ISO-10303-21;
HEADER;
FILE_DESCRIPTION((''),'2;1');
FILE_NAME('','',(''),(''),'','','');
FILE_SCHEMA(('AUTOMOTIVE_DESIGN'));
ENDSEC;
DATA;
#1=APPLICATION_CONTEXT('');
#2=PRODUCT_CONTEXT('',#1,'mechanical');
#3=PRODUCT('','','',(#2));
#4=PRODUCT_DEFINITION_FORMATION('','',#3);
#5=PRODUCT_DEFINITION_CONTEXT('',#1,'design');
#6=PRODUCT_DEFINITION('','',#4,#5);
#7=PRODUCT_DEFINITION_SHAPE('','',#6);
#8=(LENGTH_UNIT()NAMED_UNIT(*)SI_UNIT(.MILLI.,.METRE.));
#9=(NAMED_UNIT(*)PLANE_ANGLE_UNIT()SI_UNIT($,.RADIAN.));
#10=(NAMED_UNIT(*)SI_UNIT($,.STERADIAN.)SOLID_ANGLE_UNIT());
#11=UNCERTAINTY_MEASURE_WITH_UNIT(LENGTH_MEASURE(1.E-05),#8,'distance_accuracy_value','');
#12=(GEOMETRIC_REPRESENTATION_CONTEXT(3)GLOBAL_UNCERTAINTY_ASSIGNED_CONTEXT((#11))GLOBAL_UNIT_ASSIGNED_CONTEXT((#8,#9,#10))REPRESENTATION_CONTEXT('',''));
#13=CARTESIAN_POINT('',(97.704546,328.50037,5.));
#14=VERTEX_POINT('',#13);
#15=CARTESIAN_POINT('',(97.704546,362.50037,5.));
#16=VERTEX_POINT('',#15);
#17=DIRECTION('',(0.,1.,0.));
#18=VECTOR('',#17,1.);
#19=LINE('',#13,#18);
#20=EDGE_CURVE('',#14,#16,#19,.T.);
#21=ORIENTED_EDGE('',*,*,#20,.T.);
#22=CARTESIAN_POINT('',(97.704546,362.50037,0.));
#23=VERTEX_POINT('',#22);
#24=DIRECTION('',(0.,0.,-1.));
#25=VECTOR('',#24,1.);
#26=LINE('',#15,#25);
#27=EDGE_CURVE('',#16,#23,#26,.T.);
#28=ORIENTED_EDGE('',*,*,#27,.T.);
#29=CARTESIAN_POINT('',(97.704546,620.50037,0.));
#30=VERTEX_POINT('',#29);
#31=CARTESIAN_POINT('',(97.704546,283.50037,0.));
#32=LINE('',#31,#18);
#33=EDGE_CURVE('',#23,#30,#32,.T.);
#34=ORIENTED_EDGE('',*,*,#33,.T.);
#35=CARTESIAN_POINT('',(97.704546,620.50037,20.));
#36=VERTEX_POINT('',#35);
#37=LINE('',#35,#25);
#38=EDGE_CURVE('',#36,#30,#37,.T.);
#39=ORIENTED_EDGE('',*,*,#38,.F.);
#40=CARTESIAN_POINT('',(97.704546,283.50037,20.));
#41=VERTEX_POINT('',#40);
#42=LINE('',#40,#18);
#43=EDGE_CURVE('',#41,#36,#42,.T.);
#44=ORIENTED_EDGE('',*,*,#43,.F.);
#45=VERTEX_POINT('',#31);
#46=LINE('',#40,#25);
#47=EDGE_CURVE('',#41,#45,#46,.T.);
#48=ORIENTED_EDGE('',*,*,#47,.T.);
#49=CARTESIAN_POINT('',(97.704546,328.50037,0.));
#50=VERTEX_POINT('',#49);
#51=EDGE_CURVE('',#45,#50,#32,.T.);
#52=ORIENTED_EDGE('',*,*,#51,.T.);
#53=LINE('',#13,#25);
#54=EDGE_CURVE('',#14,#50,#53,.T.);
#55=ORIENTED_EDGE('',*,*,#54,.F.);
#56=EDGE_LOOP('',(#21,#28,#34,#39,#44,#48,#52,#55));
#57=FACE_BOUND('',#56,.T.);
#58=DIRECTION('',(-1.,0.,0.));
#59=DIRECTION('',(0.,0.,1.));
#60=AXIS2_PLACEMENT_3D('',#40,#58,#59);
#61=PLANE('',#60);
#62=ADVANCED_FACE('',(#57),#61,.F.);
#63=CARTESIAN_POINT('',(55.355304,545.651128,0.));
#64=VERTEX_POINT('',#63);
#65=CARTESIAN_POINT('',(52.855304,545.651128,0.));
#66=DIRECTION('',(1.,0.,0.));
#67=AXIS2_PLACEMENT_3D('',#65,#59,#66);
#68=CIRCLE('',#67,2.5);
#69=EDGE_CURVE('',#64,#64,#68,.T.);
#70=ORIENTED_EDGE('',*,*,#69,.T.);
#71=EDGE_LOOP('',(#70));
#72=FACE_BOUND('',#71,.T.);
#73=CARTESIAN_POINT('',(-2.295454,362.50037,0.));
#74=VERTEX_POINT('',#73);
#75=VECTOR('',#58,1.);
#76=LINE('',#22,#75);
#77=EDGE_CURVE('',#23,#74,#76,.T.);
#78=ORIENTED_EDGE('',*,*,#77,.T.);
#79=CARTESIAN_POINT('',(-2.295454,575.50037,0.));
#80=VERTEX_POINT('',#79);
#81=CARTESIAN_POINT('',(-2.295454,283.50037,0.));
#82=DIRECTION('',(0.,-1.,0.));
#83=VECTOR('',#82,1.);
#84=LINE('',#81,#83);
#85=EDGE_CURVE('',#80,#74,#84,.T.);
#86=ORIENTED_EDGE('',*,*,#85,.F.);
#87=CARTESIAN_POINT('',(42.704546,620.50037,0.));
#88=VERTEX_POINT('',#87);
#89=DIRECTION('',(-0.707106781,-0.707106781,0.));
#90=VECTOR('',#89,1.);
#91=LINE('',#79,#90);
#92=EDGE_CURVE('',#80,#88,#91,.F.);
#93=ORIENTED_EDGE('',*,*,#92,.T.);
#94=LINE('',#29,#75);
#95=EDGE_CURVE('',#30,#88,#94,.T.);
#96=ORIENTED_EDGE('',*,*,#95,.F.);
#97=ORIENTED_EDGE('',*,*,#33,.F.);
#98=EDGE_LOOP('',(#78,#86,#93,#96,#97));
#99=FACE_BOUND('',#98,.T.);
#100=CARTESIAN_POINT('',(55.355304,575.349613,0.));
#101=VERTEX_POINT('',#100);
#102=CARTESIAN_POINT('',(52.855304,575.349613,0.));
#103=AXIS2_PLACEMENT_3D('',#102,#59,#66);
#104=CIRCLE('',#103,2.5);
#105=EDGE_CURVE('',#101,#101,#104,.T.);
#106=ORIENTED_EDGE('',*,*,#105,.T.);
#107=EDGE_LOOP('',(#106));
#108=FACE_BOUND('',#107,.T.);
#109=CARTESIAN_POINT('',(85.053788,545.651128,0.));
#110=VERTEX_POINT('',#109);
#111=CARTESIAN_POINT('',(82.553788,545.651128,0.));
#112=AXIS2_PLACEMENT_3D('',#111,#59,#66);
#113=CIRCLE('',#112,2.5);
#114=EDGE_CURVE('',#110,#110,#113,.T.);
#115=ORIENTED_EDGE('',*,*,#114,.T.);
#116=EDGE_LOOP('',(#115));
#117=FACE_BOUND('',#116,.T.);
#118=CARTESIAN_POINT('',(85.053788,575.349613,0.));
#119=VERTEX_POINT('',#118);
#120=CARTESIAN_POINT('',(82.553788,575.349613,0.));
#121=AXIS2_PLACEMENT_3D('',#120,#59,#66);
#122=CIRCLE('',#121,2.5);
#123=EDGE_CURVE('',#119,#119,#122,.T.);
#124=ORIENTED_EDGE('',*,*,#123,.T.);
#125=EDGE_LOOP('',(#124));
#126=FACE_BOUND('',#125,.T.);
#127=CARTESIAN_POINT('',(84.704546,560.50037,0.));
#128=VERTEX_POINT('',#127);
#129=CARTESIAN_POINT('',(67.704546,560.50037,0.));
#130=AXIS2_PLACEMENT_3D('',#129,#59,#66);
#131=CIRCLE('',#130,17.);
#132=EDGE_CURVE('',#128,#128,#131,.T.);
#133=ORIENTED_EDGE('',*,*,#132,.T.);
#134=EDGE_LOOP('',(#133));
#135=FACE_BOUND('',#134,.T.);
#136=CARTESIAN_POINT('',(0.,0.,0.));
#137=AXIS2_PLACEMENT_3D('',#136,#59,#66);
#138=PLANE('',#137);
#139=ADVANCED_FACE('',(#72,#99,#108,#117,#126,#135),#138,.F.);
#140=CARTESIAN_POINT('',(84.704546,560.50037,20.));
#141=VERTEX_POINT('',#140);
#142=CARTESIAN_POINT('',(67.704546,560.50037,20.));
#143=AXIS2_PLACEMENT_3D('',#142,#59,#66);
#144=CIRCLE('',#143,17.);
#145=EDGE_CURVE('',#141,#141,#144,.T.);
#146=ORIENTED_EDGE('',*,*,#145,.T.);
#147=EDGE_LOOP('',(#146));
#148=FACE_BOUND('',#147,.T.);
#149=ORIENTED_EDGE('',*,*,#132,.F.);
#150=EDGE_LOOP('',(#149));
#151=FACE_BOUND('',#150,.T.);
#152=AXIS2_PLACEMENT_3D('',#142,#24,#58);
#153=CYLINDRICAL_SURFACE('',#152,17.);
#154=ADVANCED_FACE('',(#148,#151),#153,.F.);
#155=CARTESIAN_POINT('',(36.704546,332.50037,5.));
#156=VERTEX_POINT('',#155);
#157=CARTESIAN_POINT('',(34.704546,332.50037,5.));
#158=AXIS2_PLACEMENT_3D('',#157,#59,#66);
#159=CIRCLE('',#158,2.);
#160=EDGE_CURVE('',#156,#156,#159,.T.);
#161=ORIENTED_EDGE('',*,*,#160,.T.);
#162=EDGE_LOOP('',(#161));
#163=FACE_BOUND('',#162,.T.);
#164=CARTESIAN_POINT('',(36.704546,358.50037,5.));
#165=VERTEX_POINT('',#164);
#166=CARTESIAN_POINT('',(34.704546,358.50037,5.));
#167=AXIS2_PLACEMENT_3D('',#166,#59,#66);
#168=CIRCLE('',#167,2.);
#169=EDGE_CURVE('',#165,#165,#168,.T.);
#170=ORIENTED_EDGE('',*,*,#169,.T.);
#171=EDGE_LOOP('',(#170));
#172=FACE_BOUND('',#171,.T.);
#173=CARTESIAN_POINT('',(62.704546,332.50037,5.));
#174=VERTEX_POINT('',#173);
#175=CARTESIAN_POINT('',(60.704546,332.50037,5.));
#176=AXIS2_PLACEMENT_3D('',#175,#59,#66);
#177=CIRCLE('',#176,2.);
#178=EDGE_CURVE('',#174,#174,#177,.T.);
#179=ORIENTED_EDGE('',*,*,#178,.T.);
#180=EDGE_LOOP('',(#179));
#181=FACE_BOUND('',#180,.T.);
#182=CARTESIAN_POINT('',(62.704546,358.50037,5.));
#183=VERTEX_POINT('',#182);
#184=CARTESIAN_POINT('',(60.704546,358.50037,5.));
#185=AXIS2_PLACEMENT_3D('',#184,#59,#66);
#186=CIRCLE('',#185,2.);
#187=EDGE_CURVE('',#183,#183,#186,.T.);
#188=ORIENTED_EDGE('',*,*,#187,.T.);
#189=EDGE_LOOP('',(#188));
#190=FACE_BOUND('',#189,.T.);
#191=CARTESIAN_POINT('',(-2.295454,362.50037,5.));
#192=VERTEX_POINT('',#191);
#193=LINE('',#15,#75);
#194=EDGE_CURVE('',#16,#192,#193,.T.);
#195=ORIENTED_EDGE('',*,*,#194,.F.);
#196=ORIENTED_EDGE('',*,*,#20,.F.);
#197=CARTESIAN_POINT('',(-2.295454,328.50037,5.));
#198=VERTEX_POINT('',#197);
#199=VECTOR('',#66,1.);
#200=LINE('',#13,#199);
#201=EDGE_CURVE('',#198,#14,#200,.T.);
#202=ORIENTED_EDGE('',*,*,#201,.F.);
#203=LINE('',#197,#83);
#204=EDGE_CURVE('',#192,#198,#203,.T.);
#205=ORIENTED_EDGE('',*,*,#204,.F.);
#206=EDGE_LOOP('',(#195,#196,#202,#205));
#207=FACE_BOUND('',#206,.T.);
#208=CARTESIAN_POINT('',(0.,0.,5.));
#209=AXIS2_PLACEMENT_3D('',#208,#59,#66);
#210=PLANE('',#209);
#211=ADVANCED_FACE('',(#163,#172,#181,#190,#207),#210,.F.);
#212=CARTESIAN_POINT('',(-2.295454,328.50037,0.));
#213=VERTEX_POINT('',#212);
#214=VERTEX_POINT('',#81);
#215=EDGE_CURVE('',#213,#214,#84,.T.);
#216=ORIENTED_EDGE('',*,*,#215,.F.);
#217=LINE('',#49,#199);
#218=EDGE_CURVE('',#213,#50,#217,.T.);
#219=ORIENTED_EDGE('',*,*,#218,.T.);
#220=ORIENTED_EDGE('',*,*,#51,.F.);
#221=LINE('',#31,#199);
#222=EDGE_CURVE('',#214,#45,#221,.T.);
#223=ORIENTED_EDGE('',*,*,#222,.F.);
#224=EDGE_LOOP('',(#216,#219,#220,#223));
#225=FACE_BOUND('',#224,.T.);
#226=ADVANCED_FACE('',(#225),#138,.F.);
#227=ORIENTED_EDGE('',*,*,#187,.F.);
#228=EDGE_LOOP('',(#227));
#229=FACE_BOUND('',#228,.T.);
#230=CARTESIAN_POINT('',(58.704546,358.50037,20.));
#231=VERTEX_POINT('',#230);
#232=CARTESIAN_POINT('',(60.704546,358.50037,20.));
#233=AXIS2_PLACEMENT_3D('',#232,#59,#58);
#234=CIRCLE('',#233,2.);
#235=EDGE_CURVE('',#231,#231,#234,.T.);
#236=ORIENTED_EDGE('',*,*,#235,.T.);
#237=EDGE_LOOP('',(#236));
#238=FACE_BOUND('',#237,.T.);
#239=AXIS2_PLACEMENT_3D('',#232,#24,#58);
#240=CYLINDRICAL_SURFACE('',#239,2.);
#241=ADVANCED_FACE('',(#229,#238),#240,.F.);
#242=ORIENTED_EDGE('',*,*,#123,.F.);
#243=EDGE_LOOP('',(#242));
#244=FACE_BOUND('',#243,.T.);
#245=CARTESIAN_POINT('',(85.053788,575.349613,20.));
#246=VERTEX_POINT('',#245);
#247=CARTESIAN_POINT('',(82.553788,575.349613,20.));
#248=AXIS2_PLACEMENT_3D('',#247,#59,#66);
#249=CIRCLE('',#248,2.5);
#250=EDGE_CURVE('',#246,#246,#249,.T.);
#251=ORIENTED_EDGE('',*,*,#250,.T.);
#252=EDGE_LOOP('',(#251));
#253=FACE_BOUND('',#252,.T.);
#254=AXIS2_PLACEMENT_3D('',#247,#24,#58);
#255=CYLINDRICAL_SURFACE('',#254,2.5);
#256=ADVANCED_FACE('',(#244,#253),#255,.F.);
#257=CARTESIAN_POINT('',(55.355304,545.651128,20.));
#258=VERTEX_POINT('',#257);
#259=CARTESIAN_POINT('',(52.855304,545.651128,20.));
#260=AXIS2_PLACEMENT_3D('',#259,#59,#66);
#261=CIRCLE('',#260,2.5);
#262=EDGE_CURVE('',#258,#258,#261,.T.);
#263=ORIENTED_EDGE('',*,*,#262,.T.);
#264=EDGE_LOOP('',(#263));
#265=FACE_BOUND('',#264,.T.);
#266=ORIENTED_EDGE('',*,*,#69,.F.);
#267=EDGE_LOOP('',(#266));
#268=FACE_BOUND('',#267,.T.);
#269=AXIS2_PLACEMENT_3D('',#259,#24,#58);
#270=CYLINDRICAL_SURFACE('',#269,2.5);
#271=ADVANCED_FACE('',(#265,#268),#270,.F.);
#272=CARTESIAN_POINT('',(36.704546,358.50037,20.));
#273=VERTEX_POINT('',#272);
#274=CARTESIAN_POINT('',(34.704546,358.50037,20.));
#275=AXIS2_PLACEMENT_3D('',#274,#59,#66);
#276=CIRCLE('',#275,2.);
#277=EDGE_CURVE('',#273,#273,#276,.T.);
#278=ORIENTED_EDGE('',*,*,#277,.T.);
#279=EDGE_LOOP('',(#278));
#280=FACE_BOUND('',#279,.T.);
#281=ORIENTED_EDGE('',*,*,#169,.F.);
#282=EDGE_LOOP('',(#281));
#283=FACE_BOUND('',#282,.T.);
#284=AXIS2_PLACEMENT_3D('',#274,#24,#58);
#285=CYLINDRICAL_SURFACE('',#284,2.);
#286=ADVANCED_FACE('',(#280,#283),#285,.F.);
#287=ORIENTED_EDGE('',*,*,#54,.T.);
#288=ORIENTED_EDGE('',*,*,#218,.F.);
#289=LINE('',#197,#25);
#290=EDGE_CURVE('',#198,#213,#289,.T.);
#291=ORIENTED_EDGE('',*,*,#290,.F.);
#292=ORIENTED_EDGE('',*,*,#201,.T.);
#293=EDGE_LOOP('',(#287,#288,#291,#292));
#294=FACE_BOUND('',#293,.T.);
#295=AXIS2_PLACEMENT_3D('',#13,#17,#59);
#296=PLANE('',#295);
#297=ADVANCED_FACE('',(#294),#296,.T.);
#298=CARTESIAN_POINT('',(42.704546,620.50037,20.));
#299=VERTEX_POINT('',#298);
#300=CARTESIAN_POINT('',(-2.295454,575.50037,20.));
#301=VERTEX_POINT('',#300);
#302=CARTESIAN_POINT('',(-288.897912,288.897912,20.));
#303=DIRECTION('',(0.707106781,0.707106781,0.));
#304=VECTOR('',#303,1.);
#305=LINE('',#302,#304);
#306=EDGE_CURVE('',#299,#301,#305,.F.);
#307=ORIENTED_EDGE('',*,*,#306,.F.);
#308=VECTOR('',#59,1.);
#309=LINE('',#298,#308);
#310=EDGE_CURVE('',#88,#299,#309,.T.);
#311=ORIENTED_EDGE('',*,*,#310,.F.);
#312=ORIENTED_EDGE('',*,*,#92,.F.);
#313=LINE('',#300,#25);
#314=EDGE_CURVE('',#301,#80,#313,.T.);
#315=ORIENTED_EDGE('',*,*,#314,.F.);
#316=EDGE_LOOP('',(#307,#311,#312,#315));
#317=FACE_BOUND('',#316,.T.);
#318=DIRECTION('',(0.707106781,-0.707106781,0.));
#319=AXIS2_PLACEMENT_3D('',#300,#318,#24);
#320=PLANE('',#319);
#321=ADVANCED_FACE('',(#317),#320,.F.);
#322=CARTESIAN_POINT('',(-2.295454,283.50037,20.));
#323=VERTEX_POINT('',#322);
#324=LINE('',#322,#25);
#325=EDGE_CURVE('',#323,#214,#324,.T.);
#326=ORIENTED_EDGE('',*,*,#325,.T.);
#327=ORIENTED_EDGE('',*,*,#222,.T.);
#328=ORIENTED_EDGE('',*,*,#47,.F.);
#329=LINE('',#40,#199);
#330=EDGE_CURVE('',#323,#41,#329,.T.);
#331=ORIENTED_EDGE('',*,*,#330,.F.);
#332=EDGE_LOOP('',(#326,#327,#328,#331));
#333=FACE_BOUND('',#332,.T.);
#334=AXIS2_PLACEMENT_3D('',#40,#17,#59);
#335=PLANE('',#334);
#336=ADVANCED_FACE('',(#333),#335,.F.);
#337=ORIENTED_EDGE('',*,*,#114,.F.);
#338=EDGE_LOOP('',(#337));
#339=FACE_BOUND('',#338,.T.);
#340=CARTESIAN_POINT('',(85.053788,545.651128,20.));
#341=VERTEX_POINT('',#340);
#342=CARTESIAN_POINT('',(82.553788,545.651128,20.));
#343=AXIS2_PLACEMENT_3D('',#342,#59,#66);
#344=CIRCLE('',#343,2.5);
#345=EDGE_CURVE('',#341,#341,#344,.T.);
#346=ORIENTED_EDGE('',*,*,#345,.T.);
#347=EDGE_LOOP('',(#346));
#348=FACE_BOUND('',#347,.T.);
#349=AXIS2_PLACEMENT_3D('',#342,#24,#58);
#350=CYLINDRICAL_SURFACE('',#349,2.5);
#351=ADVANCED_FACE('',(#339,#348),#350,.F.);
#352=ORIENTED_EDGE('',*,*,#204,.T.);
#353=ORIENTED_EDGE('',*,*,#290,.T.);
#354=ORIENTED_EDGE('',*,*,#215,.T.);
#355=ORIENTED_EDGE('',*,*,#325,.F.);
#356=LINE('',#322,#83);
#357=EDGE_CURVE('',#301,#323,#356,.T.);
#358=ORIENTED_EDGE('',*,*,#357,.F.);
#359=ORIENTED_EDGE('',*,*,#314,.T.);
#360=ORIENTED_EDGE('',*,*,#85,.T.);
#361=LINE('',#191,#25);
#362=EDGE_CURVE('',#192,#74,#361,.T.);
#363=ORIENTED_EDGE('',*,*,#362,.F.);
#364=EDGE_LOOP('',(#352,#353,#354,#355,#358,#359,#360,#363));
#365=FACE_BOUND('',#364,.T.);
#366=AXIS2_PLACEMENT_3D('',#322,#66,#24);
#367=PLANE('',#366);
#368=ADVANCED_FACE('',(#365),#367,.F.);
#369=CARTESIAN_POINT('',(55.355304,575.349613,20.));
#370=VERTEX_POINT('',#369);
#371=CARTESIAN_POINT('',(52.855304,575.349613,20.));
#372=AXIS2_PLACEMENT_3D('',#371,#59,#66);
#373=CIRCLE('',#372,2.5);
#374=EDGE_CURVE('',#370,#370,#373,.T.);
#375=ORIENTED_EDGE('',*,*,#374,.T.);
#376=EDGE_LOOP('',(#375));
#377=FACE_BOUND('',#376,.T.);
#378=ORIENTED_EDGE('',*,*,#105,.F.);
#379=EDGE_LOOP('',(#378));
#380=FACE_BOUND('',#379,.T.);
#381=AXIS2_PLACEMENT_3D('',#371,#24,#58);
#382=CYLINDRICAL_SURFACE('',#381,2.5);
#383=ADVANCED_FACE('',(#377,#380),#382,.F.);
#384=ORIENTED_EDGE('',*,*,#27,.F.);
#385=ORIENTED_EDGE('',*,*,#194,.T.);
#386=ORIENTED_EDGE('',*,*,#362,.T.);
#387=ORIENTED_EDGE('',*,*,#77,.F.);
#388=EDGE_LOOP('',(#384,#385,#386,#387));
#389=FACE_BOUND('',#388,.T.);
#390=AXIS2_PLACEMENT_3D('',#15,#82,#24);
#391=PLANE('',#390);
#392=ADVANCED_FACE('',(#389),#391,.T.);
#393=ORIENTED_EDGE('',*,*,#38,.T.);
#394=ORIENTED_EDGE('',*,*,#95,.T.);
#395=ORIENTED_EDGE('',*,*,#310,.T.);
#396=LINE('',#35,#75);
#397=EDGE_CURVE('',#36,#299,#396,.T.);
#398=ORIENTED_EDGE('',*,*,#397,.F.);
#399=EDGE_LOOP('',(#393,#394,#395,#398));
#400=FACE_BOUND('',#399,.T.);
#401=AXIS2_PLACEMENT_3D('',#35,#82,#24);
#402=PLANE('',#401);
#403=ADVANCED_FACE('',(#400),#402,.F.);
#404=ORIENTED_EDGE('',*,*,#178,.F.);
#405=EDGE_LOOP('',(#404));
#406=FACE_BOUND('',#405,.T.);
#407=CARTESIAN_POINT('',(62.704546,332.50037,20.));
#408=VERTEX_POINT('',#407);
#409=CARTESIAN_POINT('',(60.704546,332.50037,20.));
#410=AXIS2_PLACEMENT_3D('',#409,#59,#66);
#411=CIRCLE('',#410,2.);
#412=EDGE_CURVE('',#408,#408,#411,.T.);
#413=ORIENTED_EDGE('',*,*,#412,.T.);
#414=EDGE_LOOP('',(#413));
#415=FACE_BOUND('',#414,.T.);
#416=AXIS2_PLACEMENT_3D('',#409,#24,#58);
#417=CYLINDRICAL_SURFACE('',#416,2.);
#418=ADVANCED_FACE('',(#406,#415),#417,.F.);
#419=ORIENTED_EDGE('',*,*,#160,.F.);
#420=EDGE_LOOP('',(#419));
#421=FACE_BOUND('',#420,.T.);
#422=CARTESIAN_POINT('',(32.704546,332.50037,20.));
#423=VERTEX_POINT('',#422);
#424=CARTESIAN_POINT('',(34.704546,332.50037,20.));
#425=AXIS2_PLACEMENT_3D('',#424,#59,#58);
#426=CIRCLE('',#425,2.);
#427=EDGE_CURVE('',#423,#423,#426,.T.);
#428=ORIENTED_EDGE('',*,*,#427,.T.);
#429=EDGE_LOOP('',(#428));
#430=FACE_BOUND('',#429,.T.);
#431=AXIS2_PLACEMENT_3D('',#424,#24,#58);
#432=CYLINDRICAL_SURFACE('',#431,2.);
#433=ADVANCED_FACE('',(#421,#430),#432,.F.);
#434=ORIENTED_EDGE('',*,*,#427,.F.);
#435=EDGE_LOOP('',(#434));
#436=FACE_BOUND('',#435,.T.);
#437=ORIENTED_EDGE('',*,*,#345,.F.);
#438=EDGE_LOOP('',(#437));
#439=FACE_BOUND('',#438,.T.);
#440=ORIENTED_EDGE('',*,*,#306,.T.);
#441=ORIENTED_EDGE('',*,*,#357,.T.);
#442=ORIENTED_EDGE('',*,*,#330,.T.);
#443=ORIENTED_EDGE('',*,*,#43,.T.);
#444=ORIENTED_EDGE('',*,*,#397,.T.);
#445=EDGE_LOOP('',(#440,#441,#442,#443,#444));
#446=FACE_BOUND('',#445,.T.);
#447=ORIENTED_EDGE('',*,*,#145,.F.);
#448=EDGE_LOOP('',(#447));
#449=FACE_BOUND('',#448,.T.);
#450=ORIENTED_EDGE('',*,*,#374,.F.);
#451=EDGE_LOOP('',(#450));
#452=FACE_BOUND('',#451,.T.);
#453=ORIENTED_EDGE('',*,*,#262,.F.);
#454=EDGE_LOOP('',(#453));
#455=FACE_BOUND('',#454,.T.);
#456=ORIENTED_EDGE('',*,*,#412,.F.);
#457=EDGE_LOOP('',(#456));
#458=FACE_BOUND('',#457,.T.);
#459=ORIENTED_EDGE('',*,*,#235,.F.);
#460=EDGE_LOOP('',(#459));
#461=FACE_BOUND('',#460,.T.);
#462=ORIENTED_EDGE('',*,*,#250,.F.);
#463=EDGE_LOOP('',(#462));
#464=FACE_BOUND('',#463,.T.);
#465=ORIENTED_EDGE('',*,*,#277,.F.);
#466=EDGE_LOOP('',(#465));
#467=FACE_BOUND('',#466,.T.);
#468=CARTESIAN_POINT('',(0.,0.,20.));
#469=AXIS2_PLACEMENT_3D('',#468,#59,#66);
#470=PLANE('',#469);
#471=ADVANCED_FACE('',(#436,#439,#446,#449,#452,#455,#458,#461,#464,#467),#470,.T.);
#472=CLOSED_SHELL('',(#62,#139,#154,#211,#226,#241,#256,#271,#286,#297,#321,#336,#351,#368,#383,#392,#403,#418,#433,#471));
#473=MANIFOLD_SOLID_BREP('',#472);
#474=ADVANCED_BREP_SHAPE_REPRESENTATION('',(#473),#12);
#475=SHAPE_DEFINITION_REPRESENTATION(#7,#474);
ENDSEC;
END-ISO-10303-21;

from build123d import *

# Parameters (mm, degrees)
SKETCH1_W           = 100
SKETCH1_H           = 337
SKETCH1_R           = 17
SKETCH1_R_2         = 2.5
SKETCH1_R_3         = 2
BOSS_EXTRUDE1_DEPTH = 20
CHAMFER1_SIZE       = 45
SKETCH2_W           = 100
SKETCH2_H           = 34
CUT_EXTRUDE1_DEPTH  = 5


with BuildPart() as part:
    # Sketch1 → Boss-Extrude1 (new body)
    with BuildSketch(Plane.XY):
        with Locations((47.704546062, 452.000370419)):
            Rectangle(SKETCH1_W, SKETCH1_H)
        with Locations((67.704546062, 560.500370419)):
            Circle(SKETCH1_R, mode=Mode.SUBTRACT)
        with Locations((82.553788467, 575.349612824)):
            Circle(SKETCH1_R_2, mode=Mode.SUBTRACT)
        with Locations((82.553788467, 545.651128014)):
            Circle(SKETCH1_R_2, mode=Mode.SUBTRACT)
        with Locations((52.855303657, 545.651128014)):
            Circle(SKETCH1_R_2, mode=Mode.SUBTRACT)
        with Locations((52.855303657, 575.349612824)):
            Circle(SKETCH1_R_2, mode=Mode.SUBTRACT)
        with Locations((34.704546062, 358.500370419)):
            Circle(SKETCH1_R_3, mode=Mode.SUBTRACT)
        with Locations(Location((60.704546062, 358.500370419, 0), (0, 0, 180))):
            Circle(SKETCH1_R_3, mode=Mode.SUBTRACT)
        with Locations((60.704546062, 332.500370419)):
            Circle(SKETCH1_R_3, mode=Mode.SUBTRACT)
        with Locations(Location((34.704546062, 332.500370419, 0), (0, 0, 180))):
            Circle(SKETCH1_R_3, mode=Mode.SUBTRACT)
    extrude(amount=BOSS_EXTRUDE1_DEPTH)

    # Chamfer1
    chamfer1_edges = [part.edges().sort_by_distance(p)[0] for p in [
        (-2.295453938, 620.500370419, 10),
    ]]
    chamfer(chamfer1_edges, length=CHAMFER1_SIZE)

    # Sketch2 → Cut-Extrude1 (cut)
    with BuildSketch(Plane.XY):
        with Locations((47.704546062, 345.500370419)):
            Rectangle(SKETCH2_W, SKETCH2_H)
    extrude(amount=CUT_EXTRUDE1_DEPTH, mode=Mode.SUBTRACT)


solid = part.part
